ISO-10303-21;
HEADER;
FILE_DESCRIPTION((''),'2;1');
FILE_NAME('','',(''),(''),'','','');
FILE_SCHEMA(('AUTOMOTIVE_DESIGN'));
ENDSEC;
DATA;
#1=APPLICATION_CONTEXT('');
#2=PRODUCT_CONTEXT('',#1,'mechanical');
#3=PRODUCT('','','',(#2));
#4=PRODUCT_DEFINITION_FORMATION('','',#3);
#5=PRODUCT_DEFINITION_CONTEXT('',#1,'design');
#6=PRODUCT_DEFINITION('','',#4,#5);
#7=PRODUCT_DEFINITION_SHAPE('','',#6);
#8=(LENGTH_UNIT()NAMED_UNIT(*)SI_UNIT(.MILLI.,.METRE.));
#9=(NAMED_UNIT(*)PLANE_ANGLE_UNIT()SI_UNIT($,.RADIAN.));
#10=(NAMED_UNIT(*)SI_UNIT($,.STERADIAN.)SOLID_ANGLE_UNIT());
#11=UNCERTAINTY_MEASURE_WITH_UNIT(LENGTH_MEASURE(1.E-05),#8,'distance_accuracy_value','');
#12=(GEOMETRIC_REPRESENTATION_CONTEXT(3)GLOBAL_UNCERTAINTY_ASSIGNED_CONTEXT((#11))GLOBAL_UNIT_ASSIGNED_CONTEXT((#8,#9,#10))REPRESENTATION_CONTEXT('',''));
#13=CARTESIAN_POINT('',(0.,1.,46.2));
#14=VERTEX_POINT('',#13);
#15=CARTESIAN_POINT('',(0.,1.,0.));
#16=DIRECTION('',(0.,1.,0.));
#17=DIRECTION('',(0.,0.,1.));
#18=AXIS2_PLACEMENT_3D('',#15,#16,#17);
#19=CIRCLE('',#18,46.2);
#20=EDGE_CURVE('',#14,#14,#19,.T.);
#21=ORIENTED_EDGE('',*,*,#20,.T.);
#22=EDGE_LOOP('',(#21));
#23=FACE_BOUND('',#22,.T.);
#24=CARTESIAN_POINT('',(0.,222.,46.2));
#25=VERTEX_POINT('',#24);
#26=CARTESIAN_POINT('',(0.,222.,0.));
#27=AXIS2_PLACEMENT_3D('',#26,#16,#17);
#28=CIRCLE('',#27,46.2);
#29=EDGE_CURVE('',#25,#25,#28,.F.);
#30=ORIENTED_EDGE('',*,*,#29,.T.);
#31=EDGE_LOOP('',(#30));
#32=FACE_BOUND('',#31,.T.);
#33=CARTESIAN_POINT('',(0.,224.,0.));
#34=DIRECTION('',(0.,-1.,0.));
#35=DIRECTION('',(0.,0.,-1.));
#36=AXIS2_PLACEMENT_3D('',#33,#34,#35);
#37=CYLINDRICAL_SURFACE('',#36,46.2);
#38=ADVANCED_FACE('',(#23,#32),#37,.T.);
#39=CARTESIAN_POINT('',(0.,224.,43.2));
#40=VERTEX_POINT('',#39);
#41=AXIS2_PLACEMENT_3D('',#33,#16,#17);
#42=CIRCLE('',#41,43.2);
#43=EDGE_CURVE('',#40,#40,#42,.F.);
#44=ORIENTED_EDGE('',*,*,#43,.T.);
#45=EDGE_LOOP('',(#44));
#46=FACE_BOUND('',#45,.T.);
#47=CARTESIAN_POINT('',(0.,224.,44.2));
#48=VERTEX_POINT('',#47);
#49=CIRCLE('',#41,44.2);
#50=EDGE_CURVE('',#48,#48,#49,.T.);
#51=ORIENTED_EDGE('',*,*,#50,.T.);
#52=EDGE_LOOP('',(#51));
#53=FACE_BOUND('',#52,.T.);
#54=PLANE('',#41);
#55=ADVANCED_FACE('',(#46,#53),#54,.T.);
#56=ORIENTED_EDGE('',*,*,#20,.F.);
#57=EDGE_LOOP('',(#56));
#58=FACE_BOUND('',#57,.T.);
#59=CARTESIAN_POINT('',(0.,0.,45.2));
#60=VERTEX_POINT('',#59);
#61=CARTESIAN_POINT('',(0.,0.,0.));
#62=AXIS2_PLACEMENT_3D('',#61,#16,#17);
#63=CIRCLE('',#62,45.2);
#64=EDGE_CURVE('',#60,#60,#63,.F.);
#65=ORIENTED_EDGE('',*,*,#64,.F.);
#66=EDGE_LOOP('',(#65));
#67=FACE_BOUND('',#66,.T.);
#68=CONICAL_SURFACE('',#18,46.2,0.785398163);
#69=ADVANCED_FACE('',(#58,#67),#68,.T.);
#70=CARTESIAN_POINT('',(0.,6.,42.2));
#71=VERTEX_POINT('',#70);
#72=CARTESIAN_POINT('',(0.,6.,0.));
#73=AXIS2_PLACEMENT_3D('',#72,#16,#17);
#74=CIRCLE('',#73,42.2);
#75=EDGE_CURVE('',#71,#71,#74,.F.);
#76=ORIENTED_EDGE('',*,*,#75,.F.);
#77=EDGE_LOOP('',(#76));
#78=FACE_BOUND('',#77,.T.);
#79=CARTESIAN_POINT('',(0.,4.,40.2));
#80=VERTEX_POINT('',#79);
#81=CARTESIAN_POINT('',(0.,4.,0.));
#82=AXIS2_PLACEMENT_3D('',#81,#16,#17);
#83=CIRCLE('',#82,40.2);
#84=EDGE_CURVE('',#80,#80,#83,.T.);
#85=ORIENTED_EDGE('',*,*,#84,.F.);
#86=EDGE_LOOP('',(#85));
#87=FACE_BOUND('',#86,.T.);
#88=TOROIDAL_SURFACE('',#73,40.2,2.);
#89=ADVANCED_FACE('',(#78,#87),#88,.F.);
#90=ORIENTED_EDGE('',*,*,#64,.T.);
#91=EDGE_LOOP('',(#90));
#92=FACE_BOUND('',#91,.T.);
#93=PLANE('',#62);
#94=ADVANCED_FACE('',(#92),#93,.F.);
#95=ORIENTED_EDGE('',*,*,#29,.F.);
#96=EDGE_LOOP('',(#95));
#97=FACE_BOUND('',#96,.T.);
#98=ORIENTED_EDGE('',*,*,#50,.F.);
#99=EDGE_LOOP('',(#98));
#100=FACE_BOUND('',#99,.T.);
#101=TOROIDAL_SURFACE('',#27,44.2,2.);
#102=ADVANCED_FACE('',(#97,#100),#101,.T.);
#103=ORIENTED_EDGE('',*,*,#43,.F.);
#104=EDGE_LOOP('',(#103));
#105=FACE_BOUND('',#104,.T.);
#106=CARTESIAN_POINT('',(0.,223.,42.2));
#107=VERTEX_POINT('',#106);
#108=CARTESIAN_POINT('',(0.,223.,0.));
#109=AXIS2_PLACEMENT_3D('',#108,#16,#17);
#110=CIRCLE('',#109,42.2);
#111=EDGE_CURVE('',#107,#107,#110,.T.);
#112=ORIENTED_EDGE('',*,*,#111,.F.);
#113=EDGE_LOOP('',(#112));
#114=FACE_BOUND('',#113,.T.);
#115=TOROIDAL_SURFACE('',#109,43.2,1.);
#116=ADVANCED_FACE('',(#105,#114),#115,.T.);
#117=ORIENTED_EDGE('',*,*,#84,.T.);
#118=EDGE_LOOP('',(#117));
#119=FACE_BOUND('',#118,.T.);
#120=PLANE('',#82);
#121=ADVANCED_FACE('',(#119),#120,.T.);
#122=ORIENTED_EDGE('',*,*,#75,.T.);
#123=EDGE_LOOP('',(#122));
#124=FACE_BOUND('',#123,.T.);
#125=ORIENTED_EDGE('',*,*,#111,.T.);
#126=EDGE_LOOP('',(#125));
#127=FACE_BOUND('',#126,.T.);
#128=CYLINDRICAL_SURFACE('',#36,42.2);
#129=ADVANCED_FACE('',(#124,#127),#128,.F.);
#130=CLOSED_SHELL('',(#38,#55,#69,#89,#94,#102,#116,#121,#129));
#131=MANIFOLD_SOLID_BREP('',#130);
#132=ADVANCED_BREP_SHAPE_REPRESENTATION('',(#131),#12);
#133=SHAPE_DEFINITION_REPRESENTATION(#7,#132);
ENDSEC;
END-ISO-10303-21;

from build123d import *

# Parameters (mm, degrees)
SKETCH1_R           = 46.2
BOSS_EXTRUDE1_DEPTH = 224
SHELL1_T            = -4
FILLET1_R           = 2
FILLET2_R           = 2
FILLET3_R           = 1
CHAMFER1_SIZE       = 1


with BuildPart() as part:
    # Sketch1 → Boss-Extrude1 (new body)
    with BuildSketch(Plane(origin=(0, 0, 0), x_dir=(1, 0, 0), z_dir=(0, 1, 0))):
        with Locations(Location((0, 0, 0), (0, 0, 270))):
            Circle(SKETCH1_R)
    extrude(amount=BOSS_EXTRUDE1_DEPTH)

    # Shell1
    shell1_openings = [part.faces().sort_by_distance(p)[0] for p in [
        (0, 224, 0),
    ]]
    offset(amount=SHELL1_T, openings=shell1_openings, kind=Kind.INTERSECTION)

    # Fillet1
    fillet1_edges = [part.edges().sort_by_distance(p)[0] for p in [
        (0, 4, -42.2),
    ]]
    fillet(fillet1_edges, radius=FILLET1_R)

    # Fillet2
    fillet2_edges = [part.edges().sort_by_distance(p)[0] for p in [
        (0, 224, -46.2),
    ]]
    fillet(fillet2_edges, radius=FILLET2_R)

    # Fillet3
    fillet3_edges = [part.edges().sort_by_distance(p)[0] for p in [
        (0, 224, -42.2),
    ]]
    fillet(fillet3_edges, radius=FILLET3_R)

    # Chamfer1
    chamfer1_edges = [part.edges().sort_by_distance(p)[0] for p in [
        (0, 0, -46.2),
    ]]
    chamfer(chamfer1_edges, length=CHAMFER1_SIZE)


solid = part.part
